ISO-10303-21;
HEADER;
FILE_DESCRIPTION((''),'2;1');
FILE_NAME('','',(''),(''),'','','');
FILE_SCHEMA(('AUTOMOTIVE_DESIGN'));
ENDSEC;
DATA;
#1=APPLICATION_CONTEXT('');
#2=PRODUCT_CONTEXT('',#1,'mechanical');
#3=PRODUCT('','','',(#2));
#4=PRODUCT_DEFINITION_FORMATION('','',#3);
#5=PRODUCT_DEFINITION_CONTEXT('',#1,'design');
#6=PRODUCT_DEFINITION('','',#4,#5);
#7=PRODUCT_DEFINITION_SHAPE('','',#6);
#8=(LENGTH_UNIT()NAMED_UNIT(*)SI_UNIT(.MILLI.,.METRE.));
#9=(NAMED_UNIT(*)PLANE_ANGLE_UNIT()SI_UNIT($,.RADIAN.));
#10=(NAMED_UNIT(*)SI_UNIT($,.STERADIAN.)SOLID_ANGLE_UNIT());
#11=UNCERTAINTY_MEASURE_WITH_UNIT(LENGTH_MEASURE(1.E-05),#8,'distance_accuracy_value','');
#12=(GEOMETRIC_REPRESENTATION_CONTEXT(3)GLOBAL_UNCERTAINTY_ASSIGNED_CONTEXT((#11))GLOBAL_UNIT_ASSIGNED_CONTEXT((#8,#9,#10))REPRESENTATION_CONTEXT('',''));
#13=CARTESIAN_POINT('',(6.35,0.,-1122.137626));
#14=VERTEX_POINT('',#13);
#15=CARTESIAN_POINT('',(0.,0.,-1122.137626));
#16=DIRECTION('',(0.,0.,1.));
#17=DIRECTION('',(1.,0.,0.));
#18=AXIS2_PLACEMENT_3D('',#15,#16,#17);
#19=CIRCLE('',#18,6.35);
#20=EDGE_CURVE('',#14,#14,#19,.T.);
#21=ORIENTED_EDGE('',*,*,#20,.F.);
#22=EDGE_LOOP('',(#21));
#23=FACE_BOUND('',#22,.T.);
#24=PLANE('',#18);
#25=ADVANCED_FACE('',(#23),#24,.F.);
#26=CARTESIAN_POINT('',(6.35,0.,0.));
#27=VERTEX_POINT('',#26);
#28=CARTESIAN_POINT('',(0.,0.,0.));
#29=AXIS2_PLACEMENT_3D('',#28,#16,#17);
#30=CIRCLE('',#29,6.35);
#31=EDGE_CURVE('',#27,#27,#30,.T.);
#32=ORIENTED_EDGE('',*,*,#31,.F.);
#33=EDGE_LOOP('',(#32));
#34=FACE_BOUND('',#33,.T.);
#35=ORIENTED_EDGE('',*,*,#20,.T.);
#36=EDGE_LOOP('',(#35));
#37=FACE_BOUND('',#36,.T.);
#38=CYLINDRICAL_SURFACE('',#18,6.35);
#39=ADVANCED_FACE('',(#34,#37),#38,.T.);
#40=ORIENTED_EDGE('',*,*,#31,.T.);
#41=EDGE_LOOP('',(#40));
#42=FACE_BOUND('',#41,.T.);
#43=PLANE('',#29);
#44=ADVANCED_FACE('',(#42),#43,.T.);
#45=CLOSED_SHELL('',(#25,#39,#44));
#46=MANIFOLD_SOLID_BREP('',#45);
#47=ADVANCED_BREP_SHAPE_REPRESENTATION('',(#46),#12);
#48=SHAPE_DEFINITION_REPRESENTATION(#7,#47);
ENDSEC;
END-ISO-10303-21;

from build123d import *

# Parameters (mm, degrees)
SKETCH1_R           = 6.35
BOSS_EXTRUDE1_DEPTH = 1122.137625954


with BuildPart() as part:
    # Sketch1 → Boss-Extrude1 (new body)
    with BuildSketch(Plane.XY):
        Circle(SKETCH1_R)
    extrude(amount=-BOSS_EXTRUDE1_DEPTH)


solid = part.part
